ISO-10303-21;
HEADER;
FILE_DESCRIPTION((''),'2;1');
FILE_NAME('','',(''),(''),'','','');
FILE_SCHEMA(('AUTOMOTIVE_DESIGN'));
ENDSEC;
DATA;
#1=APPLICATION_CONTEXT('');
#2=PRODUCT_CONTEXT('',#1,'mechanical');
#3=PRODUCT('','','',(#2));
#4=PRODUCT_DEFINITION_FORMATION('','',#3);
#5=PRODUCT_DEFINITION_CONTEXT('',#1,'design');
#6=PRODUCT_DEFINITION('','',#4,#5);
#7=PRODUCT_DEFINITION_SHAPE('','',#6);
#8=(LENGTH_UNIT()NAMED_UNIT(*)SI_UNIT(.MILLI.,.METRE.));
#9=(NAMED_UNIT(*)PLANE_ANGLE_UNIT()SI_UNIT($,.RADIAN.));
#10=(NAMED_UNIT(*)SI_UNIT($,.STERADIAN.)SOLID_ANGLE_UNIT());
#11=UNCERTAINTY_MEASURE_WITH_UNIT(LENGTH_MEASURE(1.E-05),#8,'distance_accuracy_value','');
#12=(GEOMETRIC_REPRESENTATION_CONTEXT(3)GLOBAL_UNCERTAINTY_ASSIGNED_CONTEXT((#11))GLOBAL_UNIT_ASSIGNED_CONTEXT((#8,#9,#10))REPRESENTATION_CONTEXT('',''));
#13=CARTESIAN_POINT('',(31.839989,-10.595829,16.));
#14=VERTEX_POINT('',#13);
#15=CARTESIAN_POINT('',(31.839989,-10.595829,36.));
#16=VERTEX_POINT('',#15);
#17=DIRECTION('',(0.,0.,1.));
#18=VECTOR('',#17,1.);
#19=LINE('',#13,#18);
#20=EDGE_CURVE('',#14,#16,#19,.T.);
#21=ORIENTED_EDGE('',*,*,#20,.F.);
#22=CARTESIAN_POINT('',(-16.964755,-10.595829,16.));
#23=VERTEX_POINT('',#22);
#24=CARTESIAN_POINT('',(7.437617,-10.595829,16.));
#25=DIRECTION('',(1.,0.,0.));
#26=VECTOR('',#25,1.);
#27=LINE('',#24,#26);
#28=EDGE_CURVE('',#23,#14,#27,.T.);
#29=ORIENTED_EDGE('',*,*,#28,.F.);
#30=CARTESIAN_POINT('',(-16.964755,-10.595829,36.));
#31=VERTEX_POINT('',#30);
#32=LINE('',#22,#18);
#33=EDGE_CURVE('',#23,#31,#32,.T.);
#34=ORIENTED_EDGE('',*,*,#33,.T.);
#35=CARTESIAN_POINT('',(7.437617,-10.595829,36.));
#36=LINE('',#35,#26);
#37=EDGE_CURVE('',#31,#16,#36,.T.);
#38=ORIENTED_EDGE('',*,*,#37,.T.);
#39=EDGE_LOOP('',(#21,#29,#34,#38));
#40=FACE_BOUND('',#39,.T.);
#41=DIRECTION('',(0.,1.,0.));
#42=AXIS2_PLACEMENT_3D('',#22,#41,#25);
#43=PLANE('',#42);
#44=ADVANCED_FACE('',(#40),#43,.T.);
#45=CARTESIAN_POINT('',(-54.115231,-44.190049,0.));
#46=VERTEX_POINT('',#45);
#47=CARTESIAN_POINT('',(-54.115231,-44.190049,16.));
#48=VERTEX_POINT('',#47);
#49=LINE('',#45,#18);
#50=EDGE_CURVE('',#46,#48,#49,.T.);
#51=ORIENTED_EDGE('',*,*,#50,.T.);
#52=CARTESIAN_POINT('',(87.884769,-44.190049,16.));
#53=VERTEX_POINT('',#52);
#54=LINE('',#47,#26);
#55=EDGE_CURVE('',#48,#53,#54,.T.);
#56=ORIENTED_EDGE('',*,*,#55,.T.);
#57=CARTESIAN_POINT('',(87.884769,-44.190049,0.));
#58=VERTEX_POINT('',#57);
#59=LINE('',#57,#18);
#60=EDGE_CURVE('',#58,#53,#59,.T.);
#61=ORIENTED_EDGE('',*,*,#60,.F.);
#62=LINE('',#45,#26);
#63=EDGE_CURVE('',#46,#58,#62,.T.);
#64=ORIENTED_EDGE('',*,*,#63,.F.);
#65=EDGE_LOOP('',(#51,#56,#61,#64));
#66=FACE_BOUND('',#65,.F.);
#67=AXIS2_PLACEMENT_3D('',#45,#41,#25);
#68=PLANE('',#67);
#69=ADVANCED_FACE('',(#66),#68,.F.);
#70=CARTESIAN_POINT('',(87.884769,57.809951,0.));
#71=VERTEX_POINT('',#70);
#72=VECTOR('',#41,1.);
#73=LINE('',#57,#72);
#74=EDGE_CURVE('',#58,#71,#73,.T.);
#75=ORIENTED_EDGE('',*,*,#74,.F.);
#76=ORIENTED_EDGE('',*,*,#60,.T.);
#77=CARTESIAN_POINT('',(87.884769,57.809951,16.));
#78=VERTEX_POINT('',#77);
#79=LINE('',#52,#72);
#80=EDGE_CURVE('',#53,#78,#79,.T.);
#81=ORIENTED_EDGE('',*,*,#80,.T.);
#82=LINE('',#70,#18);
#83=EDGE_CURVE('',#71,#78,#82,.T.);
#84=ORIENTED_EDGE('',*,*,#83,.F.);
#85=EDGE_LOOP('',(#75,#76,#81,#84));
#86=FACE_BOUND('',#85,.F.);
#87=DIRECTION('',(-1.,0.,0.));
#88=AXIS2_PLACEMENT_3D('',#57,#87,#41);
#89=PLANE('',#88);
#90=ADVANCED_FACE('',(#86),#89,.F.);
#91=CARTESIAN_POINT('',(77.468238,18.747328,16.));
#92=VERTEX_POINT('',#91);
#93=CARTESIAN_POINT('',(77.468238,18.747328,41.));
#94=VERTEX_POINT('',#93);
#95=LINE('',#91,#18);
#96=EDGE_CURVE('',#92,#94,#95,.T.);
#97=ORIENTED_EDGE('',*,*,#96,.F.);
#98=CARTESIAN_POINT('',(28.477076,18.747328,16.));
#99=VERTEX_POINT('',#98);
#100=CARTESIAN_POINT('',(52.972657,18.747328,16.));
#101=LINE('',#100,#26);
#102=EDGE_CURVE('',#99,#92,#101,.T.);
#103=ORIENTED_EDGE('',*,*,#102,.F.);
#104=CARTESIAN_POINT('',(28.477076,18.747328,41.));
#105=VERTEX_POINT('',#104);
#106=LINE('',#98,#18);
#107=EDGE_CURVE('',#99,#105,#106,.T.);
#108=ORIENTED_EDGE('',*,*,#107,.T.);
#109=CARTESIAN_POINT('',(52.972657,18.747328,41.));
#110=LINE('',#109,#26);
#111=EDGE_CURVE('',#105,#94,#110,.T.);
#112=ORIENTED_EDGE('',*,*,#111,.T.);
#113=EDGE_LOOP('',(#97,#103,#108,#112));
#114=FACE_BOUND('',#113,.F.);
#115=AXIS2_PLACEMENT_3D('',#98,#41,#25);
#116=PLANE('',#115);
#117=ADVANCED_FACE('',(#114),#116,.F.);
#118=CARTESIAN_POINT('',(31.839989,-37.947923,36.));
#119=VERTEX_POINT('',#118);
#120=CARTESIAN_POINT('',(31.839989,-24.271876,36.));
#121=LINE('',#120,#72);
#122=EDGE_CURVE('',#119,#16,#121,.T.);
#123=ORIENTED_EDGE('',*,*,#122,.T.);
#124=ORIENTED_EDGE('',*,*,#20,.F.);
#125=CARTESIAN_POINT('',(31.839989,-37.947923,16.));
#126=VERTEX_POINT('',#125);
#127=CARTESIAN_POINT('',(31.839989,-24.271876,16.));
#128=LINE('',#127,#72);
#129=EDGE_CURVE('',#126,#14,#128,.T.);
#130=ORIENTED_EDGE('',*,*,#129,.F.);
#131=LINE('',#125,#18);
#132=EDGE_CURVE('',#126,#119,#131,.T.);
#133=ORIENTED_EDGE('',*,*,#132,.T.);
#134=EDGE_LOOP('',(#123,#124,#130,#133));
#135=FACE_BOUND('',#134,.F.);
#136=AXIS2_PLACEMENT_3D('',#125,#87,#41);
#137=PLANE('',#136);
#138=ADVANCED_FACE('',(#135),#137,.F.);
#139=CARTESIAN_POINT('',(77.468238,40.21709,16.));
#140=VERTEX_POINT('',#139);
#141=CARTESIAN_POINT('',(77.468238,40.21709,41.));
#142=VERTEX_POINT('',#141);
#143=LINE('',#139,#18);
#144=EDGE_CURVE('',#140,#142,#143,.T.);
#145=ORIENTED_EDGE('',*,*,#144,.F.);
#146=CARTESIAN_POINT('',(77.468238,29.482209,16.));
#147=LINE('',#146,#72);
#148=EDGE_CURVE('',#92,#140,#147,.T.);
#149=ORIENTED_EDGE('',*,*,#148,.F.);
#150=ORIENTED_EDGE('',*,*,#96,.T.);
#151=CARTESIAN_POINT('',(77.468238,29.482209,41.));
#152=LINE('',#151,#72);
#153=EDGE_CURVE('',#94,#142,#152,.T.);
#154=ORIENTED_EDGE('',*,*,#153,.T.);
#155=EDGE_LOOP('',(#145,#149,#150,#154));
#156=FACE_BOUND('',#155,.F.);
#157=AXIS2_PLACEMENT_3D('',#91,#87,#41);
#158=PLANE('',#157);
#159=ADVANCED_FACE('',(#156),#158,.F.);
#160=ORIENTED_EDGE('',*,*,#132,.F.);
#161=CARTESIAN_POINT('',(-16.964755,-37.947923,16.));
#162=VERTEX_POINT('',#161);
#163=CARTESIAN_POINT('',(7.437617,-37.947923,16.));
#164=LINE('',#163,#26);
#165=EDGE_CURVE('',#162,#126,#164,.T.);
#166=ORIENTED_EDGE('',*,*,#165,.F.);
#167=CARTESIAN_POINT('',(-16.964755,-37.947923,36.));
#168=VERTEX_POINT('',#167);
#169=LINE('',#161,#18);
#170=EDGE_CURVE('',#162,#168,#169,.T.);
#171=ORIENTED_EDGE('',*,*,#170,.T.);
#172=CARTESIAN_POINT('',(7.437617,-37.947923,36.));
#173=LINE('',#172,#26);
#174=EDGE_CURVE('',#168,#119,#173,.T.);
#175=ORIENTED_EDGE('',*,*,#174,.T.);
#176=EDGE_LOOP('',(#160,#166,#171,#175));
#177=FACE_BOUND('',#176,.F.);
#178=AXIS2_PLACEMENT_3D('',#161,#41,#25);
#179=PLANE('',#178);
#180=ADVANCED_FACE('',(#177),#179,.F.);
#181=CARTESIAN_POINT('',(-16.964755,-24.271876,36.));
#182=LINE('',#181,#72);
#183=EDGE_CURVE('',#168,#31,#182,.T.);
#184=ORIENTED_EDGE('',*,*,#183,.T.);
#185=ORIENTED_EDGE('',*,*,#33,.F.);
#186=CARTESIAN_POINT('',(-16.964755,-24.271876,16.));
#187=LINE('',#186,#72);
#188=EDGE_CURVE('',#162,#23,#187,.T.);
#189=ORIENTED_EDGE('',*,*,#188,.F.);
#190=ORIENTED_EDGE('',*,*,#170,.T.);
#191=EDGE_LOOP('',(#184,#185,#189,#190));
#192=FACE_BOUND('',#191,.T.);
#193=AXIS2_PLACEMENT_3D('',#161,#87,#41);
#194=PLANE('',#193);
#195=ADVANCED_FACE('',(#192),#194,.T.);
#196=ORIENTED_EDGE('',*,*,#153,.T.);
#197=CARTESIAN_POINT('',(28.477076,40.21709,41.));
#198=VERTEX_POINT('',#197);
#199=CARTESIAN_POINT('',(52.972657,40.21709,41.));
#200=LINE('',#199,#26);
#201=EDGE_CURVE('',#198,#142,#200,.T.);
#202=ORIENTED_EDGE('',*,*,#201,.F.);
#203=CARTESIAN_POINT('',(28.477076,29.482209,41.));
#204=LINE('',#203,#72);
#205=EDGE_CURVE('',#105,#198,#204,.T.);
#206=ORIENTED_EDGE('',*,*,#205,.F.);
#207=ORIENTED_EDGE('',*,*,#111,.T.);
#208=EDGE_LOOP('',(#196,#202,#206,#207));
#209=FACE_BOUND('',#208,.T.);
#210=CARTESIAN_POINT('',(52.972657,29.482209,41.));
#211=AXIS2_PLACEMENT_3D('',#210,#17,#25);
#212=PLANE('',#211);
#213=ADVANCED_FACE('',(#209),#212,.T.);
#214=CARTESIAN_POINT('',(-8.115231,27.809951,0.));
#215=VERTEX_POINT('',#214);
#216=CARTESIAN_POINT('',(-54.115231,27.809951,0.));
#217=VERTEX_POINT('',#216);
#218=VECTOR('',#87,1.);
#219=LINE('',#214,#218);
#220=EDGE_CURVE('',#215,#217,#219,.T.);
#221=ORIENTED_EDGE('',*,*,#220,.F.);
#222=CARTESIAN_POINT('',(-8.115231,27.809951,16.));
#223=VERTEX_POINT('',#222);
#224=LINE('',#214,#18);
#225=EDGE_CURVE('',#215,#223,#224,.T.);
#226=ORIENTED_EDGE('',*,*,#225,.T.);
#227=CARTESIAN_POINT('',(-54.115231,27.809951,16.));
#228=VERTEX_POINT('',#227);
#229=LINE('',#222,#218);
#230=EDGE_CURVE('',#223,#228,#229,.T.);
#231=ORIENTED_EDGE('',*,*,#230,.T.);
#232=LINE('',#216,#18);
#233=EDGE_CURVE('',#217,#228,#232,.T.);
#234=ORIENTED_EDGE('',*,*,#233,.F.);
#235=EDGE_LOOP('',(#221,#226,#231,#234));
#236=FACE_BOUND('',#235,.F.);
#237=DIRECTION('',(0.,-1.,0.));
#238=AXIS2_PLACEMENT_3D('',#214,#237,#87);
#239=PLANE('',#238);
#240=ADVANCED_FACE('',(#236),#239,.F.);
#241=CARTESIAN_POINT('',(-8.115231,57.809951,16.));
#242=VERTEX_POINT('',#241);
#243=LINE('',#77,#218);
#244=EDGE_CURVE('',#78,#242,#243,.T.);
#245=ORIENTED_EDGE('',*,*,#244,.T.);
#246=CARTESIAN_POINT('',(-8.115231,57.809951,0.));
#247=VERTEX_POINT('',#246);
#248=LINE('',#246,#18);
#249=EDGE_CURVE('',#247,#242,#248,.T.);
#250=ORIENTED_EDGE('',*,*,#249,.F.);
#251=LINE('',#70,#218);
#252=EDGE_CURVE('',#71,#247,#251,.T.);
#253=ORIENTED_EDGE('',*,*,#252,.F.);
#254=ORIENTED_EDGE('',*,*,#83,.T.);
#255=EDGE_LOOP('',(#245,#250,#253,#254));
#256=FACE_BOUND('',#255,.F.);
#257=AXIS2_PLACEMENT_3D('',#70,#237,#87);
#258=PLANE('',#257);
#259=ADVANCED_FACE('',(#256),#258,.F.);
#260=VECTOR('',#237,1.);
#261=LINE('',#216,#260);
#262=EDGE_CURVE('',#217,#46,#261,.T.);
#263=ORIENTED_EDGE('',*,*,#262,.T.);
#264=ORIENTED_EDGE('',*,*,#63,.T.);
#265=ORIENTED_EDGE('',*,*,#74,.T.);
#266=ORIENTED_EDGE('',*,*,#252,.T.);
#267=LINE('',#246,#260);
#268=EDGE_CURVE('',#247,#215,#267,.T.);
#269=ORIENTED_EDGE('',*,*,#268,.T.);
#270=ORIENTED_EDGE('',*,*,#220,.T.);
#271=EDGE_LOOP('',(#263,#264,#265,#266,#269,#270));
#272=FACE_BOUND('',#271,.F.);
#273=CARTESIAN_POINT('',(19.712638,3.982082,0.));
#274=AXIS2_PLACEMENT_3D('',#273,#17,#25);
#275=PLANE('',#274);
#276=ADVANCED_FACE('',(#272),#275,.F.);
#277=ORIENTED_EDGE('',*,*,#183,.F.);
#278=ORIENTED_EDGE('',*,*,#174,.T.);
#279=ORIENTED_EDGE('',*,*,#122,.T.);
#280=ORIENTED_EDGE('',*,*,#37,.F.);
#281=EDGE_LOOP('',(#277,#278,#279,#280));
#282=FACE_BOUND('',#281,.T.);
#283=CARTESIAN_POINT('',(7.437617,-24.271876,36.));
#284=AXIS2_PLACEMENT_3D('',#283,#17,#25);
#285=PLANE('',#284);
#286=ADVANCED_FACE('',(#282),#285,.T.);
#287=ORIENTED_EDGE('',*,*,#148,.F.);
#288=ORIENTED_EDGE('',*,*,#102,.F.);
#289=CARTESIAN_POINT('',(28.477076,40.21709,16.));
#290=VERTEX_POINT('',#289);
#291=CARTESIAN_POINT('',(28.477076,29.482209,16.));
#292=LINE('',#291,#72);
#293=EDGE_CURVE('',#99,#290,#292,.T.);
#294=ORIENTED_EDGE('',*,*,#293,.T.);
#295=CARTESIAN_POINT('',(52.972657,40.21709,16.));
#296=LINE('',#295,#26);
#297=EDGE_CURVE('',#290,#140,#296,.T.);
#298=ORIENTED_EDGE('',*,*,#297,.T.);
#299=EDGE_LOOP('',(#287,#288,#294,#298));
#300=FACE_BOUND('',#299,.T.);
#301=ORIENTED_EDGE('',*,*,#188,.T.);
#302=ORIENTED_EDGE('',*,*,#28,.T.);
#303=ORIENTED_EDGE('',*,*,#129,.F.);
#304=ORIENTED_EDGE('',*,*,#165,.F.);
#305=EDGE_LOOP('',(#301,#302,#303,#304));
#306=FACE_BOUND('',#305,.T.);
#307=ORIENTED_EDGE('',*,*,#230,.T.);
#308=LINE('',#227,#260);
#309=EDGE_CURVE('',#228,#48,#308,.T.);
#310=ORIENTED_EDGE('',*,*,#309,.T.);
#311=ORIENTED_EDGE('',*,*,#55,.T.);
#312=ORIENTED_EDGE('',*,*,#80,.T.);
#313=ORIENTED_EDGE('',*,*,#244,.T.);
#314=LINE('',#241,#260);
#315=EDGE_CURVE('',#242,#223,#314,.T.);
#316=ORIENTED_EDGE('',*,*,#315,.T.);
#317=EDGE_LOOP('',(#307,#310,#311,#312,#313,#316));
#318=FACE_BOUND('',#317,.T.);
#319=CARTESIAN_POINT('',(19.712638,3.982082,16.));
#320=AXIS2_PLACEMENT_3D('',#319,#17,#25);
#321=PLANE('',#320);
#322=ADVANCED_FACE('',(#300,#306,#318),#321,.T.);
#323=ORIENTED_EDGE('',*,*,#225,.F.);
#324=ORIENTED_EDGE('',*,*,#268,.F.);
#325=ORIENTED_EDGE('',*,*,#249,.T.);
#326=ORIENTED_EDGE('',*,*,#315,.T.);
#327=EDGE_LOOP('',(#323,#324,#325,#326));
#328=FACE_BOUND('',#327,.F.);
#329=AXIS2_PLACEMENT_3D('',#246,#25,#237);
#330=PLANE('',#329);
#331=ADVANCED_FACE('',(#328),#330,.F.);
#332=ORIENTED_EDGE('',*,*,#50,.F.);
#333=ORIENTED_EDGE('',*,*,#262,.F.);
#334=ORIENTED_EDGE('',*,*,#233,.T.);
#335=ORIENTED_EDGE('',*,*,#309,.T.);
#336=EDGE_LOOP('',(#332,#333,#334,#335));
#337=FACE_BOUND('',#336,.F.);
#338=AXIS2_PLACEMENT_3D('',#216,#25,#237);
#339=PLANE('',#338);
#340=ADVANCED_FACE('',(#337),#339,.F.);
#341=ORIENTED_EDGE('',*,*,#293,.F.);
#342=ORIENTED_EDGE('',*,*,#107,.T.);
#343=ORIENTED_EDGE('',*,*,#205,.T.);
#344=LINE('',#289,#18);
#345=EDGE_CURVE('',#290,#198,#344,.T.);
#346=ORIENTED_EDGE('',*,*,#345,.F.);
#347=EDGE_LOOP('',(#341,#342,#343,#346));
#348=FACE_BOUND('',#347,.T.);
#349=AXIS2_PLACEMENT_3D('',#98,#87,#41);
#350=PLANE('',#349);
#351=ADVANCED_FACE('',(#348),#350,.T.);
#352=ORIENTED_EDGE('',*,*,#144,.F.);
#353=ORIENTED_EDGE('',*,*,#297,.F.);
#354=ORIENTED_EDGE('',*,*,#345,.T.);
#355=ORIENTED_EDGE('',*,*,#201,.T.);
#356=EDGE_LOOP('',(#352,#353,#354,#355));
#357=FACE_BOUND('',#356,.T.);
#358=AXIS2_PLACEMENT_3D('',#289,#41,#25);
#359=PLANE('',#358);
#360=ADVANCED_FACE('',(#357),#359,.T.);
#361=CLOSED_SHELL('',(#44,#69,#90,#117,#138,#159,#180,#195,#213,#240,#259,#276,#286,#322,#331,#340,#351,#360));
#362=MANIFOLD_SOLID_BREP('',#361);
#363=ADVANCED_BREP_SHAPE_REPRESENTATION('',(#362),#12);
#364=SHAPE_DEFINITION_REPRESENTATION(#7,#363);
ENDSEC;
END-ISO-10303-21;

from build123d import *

# Parameters (mm, degrees)
F1_DEPTH = 16
F2_W     = 48.991163
F2_H     = 21.469762
F3_DEPTH = 25
F4_W     = 48.804743
F4_H     = 27.352094
F5_DEPTH = 20


with BuildPart() as f1:
    # F0 (on Top) → F1 (new body)
    with BuildSketch(Plane.XY):
        Polygon((87.884769, 57.809951), (-8.115231, 57.809951), (-8.115231, 27.809951), (-54.115231, 27.809951), (-54.115231, -44.190049), (87.884769, -44.190049), align=None)
    extrude(amount=F1_DEPTH)

    # F2 (on face) → F3 (join)
    with BuildSketch(Plane.XY.offset(16)):
        with Locations((52.972657, 29.482209)):
            Rectangle(F2_W, F2_H)
    extrude(amount=F3_DEPTH)

    # F4 (on face) → F5 (join)
    with BuildSketch(Plane.XY.offset(16)):
        with Locations((7.437617, -24.271876)):
            Rectangle(F4_W, F4_H)
    extrude(amount=F5_DEPTH)


solid = f1.part
